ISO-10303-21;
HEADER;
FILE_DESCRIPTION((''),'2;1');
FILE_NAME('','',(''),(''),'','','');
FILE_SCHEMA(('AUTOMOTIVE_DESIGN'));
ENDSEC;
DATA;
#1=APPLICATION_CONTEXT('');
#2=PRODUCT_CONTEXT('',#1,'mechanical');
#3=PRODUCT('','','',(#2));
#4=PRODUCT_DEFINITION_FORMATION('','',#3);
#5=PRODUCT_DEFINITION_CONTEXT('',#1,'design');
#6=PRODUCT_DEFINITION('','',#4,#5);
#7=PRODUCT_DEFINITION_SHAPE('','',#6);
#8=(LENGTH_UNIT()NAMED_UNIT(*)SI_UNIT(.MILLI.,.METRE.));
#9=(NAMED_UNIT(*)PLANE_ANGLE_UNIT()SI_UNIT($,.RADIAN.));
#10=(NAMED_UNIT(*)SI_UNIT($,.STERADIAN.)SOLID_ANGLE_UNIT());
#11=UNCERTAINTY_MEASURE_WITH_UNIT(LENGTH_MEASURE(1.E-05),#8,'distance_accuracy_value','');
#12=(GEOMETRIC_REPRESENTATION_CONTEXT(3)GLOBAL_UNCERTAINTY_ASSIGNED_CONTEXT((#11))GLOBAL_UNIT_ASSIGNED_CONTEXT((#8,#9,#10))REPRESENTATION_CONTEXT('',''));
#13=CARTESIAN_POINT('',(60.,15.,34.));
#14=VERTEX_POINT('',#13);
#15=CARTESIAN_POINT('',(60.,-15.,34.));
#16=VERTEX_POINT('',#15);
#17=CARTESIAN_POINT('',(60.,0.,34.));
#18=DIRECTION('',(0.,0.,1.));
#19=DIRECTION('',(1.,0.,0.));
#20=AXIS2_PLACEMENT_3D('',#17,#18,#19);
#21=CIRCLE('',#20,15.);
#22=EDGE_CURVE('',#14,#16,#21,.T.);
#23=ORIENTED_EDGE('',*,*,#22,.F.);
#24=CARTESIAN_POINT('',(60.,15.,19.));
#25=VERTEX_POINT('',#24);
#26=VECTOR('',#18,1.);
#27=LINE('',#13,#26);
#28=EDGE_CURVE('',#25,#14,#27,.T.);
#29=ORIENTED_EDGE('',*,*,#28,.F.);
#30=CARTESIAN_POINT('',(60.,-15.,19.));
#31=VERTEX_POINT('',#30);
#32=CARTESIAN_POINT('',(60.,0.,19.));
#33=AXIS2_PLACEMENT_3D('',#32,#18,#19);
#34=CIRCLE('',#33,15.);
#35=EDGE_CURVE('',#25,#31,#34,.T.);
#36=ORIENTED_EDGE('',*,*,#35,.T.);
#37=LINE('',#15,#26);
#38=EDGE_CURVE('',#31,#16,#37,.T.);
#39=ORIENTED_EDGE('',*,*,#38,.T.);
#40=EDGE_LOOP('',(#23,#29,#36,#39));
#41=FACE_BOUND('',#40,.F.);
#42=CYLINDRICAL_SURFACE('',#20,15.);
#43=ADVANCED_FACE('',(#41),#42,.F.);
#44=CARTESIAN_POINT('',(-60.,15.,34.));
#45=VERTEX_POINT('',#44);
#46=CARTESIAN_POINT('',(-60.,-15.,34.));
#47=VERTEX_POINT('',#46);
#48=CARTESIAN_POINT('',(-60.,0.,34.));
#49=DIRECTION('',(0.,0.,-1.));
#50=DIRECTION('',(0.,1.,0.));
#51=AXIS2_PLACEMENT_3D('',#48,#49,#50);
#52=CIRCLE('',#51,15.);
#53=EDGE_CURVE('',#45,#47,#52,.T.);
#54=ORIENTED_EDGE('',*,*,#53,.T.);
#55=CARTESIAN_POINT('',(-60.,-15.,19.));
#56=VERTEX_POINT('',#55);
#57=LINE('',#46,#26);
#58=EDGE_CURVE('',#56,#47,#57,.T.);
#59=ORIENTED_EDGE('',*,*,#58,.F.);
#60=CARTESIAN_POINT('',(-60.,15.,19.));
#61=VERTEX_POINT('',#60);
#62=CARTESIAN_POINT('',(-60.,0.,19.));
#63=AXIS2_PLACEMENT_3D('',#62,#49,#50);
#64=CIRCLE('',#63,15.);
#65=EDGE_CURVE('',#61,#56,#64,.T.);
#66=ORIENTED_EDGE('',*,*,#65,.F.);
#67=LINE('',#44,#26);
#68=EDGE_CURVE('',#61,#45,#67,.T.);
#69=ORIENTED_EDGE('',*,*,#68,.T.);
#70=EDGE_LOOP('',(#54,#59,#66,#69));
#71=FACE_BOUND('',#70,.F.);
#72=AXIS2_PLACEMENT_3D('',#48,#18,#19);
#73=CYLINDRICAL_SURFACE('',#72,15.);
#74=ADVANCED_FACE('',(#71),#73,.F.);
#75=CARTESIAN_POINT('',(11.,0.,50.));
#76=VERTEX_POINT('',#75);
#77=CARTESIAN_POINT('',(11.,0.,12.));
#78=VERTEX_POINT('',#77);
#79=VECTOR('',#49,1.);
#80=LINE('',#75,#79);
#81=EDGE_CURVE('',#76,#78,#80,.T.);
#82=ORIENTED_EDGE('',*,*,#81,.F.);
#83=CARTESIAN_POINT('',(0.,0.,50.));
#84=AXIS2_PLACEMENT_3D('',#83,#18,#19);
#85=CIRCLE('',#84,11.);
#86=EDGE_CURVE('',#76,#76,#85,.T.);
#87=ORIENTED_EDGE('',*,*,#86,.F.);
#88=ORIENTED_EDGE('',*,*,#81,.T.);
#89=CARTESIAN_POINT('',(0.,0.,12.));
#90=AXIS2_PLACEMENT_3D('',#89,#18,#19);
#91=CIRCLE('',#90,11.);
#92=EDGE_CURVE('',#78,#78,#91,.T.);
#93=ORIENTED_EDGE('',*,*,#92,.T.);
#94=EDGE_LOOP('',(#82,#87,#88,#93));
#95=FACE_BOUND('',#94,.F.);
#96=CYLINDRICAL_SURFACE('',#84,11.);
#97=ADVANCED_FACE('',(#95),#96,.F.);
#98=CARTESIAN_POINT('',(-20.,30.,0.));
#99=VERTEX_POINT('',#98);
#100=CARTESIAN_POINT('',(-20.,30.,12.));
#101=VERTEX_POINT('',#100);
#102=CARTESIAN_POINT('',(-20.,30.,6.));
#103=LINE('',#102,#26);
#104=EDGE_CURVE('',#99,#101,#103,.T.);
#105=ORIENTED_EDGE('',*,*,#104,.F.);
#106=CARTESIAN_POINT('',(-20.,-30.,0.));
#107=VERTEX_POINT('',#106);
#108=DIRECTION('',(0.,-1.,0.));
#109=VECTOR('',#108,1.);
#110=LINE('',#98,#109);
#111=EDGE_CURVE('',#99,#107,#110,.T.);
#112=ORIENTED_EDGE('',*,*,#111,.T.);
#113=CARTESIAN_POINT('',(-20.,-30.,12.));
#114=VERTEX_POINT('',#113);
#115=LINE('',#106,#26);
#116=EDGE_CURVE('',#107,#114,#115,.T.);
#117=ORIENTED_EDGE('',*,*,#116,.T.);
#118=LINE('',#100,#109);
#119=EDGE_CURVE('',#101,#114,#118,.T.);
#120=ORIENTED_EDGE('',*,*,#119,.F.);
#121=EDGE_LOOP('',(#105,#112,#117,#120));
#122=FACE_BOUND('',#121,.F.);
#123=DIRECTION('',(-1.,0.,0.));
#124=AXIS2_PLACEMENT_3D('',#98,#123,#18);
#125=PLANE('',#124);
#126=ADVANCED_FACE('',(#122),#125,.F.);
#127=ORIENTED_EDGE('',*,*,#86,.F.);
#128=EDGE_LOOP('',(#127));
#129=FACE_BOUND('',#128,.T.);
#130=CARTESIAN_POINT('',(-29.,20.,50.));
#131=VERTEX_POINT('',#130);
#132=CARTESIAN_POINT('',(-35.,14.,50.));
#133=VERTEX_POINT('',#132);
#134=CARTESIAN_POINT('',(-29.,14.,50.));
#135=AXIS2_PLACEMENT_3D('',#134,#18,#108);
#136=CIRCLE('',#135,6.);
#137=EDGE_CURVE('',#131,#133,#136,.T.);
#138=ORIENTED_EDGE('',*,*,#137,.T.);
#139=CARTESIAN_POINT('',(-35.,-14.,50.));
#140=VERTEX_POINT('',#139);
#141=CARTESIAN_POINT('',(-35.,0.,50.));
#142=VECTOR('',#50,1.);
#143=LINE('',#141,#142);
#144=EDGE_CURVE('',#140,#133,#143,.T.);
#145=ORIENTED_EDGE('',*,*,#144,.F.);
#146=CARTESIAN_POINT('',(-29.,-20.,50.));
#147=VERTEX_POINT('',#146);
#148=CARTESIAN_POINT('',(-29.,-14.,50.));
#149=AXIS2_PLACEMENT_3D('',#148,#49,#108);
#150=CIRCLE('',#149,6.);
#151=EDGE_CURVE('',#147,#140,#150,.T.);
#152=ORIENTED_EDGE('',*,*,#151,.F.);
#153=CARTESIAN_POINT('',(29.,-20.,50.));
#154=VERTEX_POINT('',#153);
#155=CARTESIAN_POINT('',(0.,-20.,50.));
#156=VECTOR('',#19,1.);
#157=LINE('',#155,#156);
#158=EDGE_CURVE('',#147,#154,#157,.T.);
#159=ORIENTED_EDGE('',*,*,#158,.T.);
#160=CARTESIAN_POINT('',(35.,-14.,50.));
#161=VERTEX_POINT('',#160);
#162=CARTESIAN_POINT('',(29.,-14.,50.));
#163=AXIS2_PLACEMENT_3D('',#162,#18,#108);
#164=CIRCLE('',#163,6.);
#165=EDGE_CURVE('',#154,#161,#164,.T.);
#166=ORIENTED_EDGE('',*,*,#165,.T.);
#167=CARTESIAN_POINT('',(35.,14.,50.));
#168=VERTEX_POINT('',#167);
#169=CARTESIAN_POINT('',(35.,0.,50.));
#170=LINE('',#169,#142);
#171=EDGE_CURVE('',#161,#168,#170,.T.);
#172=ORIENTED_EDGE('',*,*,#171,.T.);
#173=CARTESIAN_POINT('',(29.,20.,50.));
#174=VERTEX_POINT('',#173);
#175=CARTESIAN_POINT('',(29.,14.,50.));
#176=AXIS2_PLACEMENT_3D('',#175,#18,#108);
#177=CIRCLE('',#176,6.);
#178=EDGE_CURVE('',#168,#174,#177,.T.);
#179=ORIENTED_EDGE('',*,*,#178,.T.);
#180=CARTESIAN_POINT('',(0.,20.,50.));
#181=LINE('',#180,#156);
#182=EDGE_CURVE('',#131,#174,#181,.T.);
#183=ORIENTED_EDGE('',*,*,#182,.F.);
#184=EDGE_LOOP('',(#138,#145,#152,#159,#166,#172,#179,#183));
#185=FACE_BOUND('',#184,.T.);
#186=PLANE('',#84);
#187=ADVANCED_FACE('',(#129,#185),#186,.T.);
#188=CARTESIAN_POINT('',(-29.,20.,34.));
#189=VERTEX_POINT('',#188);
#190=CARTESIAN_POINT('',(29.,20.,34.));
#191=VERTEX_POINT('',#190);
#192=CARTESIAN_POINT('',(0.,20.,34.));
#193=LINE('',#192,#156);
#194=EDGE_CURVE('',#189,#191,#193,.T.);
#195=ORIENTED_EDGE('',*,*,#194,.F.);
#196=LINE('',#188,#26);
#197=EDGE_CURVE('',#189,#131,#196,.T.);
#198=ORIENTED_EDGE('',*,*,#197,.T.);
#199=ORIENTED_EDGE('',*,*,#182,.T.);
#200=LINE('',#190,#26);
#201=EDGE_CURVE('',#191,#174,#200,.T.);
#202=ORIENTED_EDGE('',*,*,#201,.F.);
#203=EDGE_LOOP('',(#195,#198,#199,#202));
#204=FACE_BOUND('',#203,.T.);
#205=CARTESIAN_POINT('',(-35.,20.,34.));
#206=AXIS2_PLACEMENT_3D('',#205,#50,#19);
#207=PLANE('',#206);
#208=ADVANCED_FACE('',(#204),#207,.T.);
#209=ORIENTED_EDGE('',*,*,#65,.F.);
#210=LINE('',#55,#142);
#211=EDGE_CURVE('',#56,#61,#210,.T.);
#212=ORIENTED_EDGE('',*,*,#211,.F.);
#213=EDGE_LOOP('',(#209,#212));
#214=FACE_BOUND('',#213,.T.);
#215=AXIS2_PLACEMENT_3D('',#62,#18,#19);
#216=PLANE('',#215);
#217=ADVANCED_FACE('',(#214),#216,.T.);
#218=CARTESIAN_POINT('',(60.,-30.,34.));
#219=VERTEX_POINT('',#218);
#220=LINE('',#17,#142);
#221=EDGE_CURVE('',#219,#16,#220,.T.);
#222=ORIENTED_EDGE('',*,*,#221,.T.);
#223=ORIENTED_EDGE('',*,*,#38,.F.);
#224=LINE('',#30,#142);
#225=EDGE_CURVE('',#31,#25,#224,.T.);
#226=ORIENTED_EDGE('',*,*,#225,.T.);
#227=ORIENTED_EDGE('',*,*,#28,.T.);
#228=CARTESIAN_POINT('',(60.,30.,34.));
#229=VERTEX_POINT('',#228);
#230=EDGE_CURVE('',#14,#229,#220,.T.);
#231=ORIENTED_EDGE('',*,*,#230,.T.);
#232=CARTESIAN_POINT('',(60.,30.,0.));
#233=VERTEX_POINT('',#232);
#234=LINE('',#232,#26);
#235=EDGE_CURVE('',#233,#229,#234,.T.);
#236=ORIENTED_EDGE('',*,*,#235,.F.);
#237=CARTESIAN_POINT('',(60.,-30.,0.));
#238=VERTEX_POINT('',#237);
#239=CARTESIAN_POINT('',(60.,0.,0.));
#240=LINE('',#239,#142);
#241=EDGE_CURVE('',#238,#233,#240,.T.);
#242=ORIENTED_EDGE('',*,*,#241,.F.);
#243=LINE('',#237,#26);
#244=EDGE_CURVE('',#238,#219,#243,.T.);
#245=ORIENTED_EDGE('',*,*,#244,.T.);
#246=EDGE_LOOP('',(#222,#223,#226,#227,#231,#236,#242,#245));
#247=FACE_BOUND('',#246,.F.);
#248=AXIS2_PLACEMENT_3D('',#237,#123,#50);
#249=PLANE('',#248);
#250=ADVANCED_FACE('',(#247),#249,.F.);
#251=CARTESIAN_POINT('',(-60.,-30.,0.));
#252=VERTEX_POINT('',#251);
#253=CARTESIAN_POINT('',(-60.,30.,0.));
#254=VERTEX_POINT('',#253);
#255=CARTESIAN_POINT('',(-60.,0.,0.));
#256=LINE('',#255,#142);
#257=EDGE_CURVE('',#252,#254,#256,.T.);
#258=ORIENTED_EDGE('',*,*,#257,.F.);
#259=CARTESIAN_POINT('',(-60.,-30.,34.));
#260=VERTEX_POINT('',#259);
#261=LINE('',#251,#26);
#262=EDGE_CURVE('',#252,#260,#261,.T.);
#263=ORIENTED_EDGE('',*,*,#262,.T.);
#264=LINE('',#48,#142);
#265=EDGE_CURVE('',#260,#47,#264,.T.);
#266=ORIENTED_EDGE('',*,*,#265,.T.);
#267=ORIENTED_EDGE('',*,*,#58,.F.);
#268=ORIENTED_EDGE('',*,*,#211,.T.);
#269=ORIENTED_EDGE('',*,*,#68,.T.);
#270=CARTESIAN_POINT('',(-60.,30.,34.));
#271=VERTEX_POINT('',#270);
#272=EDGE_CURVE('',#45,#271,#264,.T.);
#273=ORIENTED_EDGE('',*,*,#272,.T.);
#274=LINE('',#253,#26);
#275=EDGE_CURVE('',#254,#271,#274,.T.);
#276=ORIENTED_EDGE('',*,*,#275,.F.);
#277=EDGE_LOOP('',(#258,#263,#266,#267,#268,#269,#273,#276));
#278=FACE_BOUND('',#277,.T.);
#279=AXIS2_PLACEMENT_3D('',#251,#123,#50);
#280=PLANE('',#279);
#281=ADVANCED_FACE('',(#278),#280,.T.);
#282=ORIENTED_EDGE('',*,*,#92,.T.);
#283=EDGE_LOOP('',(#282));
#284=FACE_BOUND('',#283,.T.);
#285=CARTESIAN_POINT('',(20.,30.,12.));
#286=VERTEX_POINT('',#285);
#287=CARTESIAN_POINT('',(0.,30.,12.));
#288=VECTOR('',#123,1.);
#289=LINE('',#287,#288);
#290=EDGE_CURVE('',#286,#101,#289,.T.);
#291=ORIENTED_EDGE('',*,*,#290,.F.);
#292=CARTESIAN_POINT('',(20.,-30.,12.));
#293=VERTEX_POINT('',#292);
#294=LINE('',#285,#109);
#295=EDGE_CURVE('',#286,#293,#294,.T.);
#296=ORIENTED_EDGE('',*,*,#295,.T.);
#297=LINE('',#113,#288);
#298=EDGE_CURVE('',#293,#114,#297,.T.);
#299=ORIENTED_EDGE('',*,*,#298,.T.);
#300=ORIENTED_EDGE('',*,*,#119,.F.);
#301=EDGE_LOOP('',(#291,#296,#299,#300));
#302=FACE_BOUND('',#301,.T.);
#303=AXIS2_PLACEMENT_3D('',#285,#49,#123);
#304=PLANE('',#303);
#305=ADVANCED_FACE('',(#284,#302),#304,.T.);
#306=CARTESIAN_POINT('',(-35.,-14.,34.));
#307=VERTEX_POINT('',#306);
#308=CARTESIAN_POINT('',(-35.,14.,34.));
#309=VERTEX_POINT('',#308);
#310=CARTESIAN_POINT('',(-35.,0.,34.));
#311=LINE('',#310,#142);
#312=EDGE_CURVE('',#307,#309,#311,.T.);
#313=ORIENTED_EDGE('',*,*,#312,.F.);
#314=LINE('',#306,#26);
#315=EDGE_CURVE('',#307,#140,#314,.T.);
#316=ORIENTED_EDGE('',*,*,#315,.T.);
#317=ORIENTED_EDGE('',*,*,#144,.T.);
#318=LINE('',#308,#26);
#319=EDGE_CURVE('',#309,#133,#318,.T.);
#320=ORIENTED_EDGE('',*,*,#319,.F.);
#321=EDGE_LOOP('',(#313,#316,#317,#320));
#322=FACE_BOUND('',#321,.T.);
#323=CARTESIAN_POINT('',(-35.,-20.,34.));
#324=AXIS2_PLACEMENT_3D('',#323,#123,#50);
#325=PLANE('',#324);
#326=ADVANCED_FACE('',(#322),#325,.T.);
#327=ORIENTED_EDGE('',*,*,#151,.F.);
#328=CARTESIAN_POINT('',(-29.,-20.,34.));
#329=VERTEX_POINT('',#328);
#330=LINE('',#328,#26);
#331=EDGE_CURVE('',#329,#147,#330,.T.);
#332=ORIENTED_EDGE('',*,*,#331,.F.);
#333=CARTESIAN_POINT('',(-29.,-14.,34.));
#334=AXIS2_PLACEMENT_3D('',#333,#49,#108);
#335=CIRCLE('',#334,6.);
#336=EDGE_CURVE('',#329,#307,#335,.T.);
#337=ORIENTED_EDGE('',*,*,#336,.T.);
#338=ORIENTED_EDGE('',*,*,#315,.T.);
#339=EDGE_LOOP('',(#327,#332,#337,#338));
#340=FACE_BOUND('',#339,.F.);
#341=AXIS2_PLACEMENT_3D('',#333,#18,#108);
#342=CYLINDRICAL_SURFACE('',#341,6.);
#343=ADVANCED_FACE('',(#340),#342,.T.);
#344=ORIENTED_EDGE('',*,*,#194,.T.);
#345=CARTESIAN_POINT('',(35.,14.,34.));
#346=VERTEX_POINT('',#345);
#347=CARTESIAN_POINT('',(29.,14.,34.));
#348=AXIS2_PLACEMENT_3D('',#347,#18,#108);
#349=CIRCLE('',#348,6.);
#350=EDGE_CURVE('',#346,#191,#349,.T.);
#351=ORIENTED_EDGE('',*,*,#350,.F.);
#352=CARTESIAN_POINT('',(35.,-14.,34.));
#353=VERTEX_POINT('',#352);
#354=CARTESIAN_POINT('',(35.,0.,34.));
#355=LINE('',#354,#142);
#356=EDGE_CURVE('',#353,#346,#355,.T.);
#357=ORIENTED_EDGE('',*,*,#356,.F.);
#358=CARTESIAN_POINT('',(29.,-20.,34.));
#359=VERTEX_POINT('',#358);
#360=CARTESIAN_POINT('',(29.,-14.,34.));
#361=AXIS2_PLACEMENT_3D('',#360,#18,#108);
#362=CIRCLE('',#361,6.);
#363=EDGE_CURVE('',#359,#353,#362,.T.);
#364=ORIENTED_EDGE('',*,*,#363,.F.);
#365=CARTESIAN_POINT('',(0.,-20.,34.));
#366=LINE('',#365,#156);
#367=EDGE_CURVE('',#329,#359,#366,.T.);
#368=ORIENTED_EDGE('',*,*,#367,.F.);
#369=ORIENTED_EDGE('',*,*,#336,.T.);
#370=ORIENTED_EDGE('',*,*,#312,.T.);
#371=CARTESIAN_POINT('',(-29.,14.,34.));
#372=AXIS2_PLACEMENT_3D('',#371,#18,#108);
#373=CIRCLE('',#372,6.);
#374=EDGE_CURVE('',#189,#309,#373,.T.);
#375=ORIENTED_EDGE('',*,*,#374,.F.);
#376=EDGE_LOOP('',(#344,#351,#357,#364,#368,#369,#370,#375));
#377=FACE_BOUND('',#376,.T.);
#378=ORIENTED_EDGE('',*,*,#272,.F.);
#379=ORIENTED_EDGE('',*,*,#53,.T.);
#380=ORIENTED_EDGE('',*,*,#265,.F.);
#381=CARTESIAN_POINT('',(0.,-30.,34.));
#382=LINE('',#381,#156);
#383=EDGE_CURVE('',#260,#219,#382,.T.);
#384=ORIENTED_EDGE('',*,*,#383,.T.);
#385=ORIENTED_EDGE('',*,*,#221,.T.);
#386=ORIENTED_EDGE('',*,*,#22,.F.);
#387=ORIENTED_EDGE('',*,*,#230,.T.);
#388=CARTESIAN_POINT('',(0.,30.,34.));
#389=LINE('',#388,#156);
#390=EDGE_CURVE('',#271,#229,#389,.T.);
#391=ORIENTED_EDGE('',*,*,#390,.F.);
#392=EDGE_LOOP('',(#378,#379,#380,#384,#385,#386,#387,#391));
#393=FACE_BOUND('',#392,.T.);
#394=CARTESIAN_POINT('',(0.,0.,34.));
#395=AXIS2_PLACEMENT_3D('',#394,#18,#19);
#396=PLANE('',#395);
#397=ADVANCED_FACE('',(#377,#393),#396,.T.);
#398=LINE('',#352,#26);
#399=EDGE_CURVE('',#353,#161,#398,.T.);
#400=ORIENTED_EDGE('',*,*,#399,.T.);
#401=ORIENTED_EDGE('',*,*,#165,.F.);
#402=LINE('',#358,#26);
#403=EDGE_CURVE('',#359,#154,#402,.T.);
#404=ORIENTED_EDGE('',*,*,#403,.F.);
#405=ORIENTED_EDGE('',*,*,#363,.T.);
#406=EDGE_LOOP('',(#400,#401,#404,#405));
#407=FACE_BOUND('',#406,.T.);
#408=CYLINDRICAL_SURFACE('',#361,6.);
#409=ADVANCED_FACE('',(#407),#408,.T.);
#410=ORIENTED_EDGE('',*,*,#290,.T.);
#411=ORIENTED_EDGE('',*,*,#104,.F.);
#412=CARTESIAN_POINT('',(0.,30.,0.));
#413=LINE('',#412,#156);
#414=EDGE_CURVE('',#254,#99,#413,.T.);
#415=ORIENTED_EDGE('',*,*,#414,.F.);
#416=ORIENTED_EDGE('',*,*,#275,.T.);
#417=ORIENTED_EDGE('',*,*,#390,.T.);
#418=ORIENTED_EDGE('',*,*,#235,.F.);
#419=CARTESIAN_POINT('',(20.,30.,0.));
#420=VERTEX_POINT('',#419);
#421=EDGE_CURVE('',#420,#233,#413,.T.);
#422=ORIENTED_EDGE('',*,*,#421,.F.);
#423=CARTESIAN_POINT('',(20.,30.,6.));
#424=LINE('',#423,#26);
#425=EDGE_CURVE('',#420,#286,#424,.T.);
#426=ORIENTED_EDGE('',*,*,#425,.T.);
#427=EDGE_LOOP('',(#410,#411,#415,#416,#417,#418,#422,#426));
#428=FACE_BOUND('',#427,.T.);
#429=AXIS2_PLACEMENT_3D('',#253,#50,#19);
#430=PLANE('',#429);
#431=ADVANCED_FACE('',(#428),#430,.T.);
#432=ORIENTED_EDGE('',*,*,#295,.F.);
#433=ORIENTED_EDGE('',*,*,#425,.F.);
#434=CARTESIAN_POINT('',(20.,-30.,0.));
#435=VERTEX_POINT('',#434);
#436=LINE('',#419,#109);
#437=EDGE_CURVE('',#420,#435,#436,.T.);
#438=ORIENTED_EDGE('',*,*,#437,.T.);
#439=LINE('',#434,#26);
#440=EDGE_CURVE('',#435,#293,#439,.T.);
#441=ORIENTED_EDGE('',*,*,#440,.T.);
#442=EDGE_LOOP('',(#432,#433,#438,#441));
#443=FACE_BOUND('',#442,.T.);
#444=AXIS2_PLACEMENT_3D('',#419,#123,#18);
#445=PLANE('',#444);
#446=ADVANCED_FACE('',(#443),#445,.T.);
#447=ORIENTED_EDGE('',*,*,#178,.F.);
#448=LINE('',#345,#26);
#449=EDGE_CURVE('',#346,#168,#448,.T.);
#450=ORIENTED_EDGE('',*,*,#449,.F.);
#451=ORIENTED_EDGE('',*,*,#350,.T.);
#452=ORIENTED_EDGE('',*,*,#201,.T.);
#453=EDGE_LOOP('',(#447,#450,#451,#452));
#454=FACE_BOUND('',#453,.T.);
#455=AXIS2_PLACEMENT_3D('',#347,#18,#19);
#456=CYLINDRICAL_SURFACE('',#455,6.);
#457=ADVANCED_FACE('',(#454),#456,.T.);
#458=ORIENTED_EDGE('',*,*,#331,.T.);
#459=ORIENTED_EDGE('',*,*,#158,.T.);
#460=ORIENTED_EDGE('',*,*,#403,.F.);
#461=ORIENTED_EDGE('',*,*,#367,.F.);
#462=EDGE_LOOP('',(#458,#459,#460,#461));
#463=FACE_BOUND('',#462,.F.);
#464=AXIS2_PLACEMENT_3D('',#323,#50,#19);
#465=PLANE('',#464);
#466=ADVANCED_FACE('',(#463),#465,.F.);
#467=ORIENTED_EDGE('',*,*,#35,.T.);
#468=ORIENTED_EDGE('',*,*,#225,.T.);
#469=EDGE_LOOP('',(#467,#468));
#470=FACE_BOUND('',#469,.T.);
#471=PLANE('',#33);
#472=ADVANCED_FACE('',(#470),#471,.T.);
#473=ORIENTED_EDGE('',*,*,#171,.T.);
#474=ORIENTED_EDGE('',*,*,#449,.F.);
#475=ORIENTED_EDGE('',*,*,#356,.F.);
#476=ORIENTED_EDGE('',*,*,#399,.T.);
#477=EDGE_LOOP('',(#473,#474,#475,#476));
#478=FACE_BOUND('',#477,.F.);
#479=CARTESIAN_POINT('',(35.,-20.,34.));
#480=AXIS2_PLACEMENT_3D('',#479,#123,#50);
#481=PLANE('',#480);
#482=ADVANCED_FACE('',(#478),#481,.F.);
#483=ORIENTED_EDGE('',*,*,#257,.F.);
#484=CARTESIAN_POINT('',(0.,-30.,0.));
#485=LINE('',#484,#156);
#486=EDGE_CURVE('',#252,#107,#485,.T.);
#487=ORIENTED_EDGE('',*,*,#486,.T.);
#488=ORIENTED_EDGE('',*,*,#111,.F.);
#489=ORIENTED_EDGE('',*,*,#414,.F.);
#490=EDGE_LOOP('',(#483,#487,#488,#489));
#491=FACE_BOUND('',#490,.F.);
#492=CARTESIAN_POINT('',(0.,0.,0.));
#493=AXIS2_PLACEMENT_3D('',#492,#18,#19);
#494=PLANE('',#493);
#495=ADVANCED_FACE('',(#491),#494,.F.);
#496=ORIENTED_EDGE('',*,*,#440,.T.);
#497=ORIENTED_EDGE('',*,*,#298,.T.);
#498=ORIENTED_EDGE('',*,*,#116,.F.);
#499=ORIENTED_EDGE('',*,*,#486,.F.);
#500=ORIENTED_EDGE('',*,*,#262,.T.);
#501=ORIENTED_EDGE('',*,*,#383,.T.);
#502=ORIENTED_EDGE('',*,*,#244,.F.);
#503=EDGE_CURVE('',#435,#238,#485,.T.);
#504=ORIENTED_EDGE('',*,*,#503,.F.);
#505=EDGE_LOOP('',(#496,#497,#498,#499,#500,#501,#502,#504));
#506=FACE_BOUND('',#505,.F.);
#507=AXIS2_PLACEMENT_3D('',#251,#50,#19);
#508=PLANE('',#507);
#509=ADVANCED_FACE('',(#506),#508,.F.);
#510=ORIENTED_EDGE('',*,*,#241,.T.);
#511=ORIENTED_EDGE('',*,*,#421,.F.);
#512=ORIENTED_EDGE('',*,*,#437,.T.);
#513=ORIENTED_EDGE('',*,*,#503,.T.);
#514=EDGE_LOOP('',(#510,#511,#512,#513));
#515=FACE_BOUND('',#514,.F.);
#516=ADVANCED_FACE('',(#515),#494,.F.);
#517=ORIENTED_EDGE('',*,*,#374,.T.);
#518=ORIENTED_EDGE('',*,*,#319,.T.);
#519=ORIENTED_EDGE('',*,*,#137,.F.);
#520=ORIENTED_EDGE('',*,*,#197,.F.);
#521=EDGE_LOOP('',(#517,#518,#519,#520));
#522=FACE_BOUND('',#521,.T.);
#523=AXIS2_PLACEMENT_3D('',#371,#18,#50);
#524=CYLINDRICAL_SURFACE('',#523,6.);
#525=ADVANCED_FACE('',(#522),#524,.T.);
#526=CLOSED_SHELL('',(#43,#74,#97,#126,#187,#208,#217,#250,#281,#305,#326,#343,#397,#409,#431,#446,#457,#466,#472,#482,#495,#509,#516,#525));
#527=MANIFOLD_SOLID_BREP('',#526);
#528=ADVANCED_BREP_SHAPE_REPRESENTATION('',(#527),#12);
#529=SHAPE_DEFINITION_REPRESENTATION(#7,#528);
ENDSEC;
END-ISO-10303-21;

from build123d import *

# Parameters (mm, degrees)
F0_W      = 120
F0_H      = 60
F1_DEPTH  = 34
F2_W      = 70
F2_H      = 40
F3_DEPTH  = 16
F4_R      = 6
F5_R      = 11
F6_DEPTH  = 50.001
F7_R      = 15
F8_DEPTH  = 15
F9_W      = 40
F9_H      = 12
F10_DEPTH = 60.001


with BuildPart() as f1:
    # F0 (on Top) → F1 (new body)
    with BuildSketch(Plane.XY):
        Rectangle(F0_W, F0_H)
    extrude(amount=F1_DEPTH)

    # F2 (on face) → F3 (join)
    with BuildSketch(Plane.XY.offset(34)):
        Rectangle(F2_W, F2_H)
    extrude(amount=F3_DEPTH)

    # F4
    f4_edges = [f1.edges().sort_by_distance(p)[0] for p in [
        (-35, -20, 42),
        (-35, 20, 42),
        (35, -20, 42),
        (35, 20, 42),
    ]]
    fillet(f4_edges, radius=F4_R)

    # F5 (on face) → F6 (cut, through all)
    with BuildSketch(Plane.XY.offset(50)):
        Circle(F5_R)
    extrude(amount=-F6_DEPTH, mode=Mode.SUBTRACT)

    # F7 (on face) → F8 (cut)
    with BuildSketch(Plane.XY.offset(34)):
        with Locations((60, 0)):
            Circle(F7_R)
        with Locations((-60, 0)):
            Circle(F7_R)
    extrude(amount=-F8_DEPTH, mode=Mode.SUBTRACT)

    # F9 (on face) → F10 (cut, through all)
    with BuildSketch(Plane(origin=(0, 30, 0), x_dir=(-1, 0, 0), z_dir=(0, 1, 0))):
        with Locations((0, 6)):
            Rectangle(F9_W, F9_H)
    extrude(amount=-F10_DEPTH, mode=Mode.SUBTRACT)


solid = f1.part
